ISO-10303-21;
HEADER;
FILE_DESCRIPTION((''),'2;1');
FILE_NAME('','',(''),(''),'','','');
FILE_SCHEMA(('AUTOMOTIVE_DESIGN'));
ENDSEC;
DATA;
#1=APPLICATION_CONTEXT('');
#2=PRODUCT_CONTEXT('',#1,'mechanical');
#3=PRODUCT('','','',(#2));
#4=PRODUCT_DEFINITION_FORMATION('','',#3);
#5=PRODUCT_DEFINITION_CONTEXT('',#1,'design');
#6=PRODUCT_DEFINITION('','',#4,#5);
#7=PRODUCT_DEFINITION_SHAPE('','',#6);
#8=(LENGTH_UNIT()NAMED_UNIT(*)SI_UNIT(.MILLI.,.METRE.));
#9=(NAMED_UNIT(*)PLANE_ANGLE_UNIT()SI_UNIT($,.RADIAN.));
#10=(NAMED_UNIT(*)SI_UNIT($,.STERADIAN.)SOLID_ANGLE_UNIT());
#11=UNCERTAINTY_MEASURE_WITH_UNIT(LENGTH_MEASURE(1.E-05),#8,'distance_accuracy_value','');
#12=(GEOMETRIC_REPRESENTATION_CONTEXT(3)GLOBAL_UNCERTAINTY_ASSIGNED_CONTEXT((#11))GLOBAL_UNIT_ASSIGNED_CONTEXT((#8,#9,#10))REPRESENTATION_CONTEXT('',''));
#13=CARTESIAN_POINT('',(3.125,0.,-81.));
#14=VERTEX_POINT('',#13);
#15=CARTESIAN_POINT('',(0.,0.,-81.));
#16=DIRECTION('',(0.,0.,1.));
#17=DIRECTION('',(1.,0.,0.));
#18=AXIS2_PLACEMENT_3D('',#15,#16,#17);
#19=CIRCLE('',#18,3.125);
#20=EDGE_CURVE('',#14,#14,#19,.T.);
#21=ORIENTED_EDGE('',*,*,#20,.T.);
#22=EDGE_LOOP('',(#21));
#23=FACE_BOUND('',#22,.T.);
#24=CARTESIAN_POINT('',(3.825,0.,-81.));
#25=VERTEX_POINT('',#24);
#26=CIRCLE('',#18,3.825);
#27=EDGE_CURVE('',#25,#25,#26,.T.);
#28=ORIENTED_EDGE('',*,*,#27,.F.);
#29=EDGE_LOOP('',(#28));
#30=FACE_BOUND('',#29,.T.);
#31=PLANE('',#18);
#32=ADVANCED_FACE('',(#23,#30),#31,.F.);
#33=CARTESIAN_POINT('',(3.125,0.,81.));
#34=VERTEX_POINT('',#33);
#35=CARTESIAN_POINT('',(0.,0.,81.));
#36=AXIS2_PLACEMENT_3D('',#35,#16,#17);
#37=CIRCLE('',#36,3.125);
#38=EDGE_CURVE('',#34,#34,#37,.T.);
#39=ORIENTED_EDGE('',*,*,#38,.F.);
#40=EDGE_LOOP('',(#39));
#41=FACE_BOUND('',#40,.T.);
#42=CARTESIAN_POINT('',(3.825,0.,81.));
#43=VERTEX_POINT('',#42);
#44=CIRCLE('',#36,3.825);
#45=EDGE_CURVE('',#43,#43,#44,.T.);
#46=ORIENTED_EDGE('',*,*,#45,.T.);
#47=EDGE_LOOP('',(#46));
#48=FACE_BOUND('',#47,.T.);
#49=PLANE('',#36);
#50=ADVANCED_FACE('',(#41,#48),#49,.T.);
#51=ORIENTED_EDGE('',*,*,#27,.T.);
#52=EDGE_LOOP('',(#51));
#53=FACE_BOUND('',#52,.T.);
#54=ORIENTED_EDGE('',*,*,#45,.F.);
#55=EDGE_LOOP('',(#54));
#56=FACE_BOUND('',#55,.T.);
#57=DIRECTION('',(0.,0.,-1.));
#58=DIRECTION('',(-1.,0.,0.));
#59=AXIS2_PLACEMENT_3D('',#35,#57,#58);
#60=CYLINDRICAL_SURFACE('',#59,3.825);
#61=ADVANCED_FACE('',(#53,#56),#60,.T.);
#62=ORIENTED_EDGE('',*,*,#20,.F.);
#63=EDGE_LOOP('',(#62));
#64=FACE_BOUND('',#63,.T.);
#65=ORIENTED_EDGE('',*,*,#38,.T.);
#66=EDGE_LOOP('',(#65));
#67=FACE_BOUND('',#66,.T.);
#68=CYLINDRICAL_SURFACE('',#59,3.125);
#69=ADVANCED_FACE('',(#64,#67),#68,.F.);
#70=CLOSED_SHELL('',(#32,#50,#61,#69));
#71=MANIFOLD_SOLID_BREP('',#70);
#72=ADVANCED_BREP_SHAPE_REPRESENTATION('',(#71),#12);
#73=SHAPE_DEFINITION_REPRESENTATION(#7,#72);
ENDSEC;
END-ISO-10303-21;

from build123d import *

# Parameters (mm, degrees)
SKETCH2_R           = 3.825
SKETCH2_R_2         = 3.125
BOSS_EXTRUDE1_DEPTH = 81


with BuildPart() as part:
    # Sketch2 → Boss-Extrude1 (new body, symmetric)
    with BuildSketch(Plane.XY):
        Circle(SKETCH2_R)
        Circle(SKETCH2_R_2, mode=Mode.SUBTRACT)
    extrude(amount=BOSS_EXTRUDE1_DEPTH, both=True)


solid = part.part
